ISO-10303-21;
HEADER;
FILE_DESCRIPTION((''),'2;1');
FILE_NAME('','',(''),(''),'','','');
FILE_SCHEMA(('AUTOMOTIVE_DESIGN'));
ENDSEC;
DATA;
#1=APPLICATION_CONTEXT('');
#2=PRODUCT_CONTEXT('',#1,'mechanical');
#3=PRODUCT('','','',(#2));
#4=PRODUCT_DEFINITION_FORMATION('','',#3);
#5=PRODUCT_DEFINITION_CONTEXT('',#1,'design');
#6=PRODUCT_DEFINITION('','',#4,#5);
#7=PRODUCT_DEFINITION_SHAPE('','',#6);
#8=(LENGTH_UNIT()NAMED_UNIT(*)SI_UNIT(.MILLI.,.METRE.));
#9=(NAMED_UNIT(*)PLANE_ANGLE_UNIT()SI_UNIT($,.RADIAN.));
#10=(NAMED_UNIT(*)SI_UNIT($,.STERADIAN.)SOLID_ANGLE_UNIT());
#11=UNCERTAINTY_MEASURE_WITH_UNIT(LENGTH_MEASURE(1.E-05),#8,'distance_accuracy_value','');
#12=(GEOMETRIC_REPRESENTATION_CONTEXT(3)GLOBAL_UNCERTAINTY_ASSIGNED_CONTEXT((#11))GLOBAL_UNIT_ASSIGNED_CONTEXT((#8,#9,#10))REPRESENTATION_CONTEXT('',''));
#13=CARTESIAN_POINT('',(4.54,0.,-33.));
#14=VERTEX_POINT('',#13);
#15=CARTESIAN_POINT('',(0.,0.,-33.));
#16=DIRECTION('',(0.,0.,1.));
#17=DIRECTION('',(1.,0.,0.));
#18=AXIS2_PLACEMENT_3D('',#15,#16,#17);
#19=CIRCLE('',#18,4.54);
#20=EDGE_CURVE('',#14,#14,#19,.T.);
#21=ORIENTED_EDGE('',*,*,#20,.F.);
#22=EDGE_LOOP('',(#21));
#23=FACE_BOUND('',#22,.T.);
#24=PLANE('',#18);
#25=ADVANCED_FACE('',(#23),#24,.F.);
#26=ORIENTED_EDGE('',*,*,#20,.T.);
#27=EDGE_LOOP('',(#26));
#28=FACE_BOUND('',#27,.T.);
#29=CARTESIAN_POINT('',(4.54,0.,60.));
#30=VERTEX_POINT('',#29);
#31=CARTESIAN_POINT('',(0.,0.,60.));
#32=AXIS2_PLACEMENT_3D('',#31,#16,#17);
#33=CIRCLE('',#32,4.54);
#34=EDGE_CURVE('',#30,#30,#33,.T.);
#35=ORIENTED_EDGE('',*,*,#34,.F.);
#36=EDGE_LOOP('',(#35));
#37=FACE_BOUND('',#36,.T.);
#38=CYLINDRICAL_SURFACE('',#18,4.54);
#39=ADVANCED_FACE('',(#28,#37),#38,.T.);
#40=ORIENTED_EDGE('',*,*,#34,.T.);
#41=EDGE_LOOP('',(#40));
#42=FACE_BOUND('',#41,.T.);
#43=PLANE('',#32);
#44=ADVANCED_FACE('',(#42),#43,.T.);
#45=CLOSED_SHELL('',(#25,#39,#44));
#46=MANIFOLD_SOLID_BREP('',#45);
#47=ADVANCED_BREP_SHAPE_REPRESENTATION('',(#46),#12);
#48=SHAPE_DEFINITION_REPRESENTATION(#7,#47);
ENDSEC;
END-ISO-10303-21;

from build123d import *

# Parameters (mm, degrees)
BOSS_EXTRUDE1_DEPTH      = 60
BOSS_EXTRUDE1_DEPTH_BACK = 33
SKETCH1_R                = 4.54


with BuildPart() as part:
    # Sketch1 → Boss-Extrude1 (new, two sides: drawn at the far end of the back side and taken through both)
    with BuildSketch(Plane.XY.offset(-BOSS_EXTRUDE1_DEPTH_BACK)):
        Circle(SKETCH1_R)
    extrude(amount=BOSS_EXTRUDE1_DEPTH + BOSS_EXTRUDE1_DEPTH_BACK)


solid = part.part
